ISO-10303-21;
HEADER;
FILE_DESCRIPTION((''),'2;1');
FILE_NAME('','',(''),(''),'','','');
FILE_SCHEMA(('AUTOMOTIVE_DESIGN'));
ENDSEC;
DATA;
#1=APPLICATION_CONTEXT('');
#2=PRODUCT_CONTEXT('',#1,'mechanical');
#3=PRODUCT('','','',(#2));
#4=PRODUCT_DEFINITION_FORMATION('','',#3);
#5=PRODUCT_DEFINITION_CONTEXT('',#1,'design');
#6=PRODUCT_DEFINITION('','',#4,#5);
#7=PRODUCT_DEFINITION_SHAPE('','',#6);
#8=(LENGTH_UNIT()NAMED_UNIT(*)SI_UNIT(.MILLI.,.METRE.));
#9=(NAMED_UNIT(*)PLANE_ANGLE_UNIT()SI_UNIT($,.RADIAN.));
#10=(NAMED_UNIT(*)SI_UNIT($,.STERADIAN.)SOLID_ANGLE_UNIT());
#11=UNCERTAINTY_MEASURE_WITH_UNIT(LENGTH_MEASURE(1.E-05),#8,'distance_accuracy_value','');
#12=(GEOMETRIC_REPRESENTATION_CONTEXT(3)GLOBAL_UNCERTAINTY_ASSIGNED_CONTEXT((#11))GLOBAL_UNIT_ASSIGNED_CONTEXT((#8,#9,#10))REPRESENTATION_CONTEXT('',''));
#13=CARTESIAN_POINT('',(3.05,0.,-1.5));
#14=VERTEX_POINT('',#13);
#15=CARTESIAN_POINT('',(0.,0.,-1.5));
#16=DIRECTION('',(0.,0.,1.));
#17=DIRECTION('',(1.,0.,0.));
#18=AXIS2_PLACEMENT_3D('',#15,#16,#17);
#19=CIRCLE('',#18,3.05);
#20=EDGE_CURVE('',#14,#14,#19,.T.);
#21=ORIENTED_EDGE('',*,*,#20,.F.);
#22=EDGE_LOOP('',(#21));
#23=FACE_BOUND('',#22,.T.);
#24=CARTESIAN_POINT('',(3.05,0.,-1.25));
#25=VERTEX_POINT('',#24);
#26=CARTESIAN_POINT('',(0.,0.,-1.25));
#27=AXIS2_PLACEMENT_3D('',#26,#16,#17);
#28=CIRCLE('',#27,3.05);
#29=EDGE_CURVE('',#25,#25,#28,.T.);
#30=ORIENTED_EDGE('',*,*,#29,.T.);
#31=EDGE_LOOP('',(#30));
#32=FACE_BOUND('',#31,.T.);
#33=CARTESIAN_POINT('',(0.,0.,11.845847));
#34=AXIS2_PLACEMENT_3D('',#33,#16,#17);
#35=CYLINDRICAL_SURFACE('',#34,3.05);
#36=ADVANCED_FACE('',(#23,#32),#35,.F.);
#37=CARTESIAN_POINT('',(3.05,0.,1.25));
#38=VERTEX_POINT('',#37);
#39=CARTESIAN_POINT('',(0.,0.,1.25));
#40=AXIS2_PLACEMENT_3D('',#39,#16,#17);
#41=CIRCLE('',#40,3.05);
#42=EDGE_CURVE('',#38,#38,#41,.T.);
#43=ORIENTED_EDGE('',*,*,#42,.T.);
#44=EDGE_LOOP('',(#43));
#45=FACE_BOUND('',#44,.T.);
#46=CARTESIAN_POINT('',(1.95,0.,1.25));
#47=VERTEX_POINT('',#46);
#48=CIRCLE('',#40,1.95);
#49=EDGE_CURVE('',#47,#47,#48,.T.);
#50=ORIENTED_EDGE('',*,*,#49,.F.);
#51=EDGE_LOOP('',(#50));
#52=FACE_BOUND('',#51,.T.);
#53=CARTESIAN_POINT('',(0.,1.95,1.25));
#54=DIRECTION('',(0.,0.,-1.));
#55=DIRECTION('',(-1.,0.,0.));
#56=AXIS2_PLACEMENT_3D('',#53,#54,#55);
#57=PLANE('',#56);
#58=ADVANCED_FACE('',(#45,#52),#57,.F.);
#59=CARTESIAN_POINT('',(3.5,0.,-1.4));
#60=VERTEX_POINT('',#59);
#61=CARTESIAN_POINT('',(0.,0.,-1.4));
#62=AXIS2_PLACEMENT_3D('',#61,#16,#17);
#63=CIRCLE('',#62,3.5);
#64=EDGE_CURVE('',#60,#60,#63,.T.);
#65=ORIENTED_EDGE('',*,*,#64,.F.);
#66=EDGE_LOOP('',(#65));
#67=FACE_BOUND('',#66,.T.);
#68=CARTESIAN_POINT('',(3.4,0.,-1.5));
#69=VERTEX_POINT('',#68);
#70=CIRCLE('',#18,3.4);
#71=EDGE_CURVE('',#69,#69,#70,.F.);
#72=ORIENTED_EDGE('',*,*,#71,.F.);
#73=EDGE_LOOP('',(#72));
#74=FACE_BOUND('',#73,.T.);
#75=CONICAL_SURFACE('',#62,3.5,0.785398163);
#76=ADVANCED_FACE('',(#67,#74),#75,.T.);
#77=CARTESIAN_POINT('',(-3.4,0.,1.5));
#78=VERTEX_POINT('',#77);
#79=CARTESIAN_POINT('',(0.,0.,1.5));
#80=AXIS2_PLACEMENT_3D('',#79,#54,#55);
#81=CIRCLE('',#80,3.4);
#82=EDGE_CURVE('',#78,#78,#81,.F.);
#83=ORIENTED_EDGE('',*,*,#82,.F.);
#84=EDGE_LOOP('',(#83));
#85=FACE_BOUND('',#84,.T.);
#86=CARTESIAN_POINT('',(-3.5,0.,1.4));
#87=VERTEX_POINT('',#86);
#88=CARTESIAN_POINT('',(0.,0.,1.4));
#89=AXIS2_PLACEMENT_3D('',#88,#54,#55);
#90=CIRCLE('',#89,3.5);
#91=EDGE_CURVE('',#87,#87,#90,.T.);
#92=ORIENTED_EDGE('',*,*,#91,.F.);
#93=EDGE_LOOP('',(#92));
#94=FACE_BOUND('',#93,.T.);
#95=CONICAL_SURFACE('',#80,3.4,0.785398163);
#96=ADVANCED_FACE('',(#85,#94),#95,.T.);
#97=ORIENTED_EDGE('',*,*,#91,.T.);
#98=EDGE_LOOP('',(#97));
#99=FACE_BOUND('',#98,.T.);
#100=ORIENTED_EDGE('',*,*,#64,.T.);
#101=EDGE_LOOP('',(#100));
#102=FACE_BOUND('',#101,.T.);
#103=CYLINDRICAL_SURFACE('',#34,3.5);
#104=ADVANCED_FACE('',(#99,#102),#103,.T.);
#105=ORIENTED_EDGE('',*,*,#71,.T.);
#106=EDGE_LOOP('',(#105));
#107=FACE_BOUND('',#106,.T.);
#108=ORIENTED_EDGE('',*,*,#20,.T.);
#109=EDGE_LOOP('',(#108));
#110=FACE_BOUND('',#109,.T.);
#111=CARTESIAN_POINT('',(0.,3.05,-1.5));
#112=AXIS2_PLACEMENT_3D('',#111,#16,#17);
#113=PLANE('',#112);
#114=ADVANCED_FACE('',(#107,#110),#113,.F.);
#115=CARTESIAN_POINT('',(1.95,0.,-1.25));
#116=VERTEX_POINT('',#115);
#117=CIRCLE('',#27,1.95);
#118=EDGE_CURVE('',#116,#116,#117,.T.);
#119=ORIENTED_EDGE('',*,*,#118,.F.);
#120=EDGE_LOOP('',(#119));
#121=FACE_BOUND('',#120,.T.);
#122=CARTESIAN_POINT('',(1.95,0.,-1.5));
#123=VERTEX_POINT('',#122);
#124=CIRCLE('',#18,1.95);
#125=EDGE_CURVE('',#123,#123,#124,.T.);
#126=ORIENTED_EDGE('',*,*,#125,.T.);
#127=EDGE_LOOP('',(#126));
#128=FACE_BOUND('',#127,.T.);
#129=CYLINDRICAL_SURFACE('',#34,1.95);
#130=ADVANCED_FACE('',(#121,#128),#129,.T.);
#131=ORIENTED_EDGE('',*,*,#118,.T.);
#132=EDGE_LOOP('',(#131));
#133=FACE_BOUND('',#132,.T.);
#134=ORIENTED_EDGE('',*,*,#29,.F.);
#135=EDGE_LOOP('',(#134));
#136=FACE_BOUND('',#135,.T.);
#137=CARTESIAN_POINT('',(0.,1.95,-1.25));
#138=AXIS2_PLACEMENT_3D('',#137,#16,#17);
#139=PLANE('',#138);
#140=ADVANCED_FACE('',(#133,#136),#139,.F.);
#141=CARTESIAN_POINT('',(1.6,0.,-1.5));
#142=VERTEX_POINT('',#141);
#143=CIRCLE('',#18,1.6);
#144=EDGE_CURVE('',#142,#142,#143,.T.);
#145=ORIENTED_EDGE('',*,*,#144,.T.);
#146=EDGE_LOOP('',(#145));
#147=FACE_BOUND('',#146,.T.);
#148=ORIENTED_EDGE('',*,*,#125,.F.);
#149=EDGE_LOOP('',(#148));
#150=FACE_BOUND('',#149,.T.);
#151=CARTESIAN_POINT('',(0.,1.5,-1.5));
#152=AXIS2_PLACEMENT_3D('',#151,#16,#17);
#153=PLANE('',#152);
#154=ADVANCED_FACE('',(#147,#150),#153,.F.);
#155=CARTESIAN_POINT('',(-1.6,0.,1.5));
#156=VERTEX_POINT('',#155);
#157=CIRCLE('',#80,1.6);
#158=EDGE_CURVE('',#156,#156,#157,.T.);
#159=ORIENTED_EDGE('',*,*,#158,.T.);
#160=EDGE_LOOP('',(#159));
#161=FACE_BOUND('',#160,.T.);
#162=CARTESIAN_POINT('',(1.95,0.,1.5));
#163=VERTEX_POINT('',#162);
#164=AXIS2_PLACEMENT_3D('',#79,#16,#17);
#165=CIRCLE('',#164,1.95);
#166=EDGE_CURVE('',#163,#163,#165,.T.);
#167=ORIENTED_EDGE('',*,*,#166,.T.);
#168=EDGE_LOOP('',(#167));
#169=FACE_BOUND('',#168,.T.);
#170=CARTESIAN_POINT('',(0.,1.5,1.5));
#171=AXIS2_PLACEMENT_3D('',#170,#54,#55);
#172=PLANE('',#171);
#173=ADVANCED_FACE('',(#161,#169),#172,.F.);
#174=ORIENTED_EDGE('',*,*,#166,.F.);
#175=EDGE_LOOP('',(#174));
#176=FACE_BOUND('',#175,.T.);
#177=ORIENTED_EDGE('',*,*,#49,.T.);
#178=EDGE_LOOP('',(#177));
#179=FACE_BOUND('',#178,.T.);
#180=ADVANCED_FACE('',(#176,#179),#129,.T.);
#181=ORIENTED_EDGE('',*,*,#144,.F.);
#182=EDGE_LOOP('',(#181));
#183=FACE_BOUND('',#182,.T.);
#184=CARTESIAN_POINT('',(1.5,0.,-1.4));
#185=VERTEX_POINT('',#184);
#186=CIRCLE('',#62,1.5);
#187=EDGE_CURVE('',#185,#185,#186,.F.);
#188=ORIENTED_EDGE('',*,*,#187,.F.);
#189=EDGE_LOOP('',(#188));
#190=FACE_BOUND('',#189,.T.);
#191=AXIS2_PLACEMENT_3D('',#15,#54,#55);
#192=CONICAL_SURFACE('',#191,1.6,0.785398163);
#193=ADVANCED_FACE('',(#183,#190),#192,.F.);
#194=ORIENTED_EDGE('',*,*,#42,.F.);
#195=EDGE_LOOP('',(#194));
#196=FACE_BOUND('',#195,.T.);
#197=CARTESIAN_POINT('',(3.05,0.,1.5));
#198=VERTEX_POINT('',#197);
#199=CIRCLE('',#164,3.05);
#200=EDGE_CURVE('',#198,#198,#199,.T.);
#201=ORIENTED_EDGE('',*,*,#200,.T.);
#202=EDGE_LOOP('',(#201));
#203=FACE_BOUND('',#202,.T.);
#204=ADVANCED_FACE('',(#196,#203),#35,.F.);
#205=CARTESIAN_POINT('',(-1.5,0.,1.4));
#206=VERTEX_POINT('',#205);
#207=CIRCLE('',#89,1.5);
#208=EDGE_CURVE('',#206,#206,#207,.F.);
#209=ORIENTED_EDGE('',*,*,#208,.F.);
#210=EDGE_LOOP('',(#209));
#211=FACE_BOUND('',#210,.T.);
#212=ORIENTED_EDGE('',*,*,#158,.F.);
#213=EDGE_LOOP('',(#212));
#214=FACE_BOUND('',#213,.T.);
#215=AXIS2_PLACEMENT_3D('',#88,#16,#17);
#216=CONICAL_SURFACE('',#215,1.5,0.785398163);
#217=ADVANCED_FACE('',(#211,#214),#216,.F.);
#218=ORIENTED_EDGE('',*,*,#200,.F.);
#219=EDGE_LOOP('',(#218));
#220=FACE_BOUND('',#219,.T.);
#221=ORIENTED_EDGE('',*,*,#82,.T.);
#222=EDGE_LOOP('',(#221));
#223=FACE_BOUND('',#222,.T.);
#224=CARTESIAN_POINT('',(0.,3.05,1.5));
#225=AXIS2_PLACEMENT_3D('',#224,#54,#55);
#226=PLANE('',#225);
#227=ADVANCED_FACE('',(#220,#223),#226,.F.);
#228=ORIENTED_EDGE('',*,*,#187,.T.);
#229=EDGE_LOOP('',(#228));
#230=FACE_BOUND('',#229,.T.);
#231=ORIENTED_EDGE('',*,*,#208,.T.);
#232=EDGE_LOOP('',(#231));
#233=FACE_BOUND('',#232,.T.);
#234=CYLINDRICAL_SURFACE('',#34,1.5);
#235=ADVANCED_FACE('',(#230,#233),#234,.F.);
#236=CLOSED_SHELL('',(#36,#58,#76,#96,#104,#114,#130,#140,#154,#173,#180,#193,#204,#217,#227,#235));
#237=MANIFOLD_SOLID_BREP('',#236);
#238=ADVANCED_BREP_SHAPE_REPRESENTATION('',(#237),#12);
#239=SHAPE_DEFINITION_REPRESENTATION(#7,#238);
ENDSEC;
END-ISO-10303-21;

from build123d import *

# Parameters (mm, degrees)
FASE1_SIZE = 0.1


with BuildPart() as part:
    # Skizze2 → Rotation1 (revolve)
    with BuildSketch(Plane(origin=(0, 0, 0), x_dir=(0, 0, -1), z_dir=(1, 0, 0))):
        Polygon((-1.5, 1.5), (1.5, 1.5), (1.5, 1.95), (1.25, 1.95), (1.25, 3.05), (1.5, 3.05), (1.5, 3.5), (-1.5, 3.5), (-1.5, 3.05), (-1.25, 3.05), (-1.25, 1.95), (-1.5, 1.95), align=None)
    revolve(axis=Axis((0, 0, 11.845846522), (0, 0, -1)))

    # Fase1
    fase1_edges = [part.edges().sort_by_distance(p)[0] for p in [
        (0, -3.5, 1.5),
        (0, -3.5, -1.5),
        (0, -1.5, -1.5),
        (0, -1.5, 1.5),
    ]]
    chamfer(fase1_edges, length=FASE1_SIZE)


solid = part.part
